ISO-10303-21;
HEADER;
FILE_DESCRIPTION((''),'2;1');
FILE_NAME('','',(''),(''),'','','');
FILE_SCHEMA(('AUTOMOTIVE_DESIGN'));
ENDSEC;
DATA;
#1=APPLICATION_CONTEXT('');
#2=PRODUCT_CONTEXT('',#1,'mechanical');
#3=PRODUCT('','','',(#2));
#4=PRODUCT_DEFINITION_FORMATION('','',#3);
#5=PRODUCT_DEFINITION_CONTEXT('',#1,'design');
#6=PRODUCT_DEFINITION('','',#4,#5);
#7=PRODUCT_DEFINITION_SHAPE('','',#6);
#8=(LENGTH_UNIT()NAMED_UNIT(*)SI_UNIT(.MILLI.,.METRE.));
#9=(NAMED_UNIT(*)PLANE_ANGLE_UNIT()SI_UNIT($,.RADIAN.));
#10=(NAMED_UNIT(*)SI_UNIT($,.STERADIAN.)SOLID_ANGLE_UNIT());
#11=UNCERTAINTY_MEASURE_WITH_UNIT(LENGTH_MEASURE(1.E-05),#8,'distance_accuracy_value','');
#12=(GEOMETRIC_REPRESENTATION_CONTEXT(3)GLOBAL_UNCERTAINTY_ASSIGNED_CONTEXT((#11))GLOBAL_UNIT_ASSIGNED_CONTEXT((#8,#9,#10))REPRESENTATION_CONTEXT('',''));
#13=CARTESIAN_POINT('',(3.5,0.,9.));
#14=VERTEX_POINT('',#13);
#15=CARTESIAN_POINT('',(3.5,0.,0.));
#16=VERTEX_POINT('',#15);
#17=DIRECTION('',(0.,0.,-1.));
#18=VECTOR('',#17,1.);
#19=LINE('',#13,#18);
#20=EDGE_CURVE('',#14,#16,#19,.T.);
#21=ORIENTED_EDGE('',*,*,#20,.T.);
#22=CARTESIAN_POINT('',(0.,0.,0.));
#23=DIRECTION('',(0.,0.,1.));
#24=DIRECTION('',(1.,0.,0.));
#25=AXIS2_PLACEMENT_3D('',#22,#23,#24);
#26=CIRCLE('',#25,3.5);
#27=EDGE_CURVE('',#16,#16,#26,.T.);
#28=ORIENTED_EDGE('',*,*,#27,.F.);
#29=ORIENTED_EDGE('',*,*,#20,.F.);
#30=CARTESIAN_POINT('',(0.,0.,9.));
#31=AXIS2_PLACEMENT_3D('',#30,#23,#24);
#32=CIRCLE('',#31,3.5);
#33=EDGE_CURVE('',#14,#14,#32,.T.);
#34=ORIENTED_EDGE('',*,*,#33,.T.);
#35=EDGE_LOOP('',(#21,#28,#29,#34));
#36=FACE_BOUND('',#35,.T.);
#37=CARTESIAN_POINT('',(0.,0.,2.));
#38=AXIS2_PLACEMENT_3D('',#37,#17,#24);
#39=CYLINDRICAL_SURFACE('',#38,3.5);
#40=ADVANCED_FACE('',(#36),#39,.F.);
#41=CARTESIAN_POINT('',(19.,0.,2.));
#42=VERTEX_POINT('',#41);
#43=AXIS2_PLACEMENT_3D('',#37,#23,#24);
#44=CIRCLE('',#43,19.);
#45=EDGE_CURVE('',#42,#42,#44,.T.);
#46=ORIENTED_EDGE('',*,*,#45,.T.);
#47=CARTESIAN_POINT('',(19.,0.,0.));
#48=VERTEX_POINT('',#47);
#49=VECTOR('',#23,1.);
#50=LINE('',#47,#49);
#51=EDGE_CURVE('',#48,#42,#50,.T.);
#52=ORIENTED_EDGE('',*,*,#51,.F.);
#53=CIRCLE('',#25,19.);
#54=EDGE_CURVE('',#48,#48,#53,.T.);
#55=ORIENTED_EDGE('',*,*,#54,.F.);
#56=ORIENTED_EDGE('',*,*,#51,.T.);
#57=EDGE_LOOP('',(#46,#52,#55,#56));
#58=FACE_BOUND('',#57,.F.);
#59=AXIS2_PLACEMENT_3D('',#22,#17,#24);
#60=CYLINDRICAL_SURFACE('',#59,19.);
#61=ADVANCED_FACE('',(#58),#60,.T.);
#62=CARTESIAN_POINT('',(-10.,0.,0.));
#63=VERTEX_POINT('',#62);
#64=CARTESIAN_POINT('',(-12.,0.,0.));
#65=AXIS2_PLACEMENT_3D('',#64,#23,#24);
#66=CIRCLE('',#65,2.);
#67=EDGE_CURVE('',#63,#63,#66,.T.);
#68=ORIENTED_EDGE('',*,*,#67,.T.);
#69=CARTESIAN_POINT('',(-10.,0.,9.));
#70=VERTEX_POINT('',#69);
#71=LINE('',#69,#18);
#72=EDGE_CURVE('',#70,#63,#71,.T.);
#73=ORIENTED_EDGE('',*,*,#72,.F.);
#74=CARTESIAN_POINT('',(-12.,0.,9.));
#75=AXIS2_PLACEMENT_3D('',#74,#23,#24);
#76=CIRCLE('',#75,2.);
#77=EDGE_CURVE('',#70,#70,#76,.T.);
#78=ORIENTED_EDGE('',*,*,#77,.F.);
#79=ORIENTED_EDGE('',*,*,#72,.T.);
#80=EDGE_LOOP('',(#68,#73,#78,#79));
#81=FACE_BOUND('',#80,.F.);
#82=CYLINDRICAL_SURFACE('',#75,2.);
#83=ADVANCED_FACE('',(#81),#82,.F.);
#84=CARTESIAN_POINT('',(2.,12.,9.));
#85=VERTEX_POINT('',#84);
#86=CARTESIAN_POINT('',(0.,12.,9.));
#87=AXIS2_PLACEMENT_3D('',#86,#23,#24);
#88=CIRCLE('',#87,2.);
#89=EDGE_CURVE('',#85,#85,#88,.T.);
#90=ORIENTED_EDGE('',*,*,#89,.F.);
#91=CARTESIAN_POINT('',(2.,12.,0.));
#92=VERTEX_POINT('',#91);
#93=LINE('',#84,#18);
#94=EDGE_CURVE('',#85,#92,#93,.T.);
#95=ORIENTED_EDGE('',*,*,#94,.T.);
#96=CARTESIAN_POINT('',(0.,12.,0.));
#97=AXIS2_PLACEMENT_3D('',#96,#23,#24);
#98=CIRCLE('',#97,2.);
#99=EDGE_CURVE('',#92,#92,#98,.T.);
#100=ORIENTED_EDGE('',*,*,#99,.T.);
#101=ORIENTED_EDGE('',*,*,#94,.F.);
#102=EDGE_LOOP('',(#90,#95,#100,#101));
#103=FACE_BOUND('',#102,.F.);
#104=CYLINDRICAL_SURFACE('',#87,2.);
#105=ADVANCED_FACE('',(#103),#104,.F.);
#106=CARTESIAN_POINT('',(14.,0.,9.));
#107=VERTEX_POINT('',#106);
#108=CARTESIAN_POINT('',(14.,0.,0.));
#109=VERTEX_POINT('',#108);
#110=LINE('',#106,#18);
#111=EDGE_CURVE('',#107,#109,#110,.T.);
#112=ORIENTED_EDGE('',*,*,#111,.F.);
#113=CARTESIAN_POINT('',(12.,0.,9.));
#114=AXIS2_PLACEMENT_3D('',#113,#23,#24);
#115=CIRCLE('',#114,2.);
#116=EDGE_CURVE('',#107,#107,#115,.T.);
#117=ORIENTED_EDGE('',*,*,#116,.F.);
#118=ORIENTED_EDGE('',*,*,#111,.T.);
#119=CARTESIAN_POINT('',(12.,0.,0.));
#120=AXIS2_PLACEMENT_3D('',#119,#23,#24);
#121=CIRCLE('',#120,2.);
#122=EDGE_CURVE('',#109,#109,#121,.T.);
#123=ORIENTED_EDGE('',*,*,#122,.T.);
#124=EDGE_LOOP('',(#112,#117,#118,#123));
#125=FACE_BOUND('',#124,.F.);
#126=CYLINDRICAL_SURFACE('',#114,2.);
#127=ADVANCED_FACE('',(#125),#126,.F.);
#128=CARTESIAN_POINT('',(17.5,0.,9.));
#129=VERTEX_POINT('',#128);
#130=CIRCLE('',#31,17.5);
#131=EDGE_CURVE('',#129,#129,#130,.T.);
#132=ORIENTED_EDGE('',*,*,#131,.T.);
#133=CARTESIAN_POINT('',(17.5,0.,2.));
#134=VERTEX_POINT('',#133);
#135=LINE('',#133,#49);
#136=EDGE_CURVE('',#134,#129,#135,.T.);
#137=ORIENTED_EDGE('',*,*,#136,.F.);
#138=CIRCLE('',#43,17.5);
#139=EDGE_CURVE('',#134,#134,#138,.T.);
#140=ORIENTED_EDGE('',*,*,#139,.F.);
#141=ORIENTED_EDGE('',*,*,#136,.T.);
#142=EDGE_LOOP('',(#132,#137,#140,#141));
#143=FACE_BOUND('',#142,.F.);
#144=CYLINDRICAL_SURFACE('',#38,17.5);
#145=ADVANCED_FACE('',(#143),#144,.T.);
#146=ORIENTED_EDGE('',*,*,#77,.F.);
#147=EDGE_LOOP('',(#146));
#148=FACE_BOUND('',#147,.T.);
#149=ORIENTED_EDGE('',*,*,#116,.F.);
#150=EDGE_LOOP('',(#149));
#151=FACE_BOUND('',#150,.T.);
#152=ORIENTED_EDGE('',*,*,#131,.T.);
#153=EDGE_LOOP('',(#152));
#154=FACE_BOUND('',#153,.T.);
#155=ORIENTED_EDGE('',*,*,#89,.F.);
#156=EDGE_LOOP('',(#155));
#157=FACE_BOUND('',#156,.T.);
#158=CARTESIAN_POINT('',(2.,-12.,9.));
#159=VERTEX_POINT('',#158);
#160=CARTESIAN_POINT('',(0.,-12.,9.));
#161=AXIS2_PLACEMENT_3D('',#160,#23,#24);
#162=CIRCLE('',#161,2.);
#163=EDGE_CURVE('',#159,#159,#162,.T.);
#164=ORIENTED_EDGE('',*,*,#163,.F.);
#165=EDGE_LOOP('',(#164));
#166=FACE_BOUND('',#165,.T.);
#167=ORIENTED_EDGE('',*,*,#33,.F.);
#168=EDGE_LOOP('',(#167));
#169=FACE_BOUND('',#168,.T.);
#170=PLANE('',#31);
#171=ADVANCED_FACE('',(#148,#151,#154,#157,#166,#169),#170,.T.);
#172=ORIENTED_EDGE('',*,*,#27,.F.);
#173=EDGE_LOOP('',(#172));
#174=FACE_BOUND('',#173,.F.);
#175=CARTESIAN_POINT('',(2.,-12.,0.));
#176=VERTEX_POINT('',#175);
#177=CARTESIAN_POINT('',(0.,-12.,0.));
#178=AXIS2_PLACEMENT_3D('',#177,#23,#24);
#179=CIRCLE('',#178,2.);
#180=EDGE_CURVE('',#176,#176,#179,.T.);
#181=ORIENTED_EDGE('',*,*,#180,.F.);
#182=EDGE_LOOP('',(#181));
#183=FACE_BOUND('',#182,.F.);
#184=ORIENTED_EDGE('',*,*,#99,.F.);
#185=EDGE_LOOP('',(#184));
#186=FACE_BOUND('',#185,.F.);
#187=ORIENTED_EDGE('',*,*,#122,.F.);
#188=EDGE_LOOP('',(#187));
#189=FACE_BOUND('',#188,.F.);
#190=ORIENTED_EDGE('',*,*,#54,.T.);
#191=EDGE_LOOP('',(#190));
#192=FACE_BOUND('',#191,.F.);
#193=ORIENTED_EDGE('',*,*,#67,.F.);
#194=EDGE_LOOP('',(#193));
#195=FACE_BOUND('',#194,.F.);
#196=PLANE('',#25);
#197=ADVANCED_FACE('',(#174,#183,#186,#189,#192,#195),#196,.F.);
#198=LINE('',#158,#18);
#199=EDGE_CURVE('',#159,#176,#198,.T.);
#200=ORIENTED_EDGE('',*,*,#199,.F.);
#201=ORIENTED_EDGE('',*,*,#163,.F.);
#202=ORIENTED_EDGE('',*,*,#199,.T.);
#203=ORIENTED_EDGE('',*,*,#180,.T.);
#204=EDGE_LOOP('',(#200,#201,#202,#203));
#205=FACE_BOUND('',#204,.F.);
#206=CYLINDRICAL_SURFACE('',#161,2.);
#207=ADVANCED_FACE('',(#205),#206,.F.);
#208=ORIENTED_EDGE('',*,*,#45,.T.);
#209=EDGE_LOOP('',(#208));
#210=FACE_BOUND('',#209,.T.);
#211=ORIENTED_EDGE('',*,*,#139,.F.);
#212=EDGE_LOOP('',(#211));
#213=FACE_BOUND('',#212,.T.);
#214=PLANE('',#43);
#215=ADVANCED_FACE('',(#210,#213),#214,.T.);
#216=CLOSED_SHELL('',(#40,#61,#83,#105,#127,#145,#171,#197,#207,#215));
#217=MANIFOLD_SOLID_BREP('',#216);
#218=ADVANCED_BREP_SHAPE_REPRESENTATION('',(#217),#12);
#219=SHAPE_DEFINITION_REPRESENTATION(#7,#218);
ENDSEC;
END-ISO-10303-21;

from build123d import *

# Parameters (mm, degrees)
F0_R     = 19
F0_R_2   = 3.5
F1_DEPTH = 2
F2_R     = 17.5
F2_R_2   = 3.5
F3_DEPTH = 7
F4_R     = 2
F5_DEPTH = 25


with BuildPart() as f1:
    # F0 (on Top) → F1 (new body)
    with BuildSketch(Plane.XY):
        Circle(F0_R)
        Circle(F0_R_2, mode=Mode.SUBTRACT)
    extrude(amount=F1_DEPTH)

    # F2 (on face) → F3 (join)
    with BuildSketch(Plane.XY.offset(2)):
        Circle(F2_R)
        Circle(F2_R_2, mode=Mode.SUBTRACT)
    extrude(amount=F3_DEPTH)

    # F4 (on face) → F5 (cut)
    with BuildSketch(Plane.XY.offset(9)):
        with Locations((0, 12)):
            Circle(F4_R)
        with Locations((-12, 0)):
            Circle(F4_R)
        with Locations((0, -12)):
            Circle(F4_R)
        with Locations((12, 0)):
            Circle(F4_R)
    extrude(amount=-F5_DEPTH, mode=Mode.SUBTRACT)


solid = f1.part
